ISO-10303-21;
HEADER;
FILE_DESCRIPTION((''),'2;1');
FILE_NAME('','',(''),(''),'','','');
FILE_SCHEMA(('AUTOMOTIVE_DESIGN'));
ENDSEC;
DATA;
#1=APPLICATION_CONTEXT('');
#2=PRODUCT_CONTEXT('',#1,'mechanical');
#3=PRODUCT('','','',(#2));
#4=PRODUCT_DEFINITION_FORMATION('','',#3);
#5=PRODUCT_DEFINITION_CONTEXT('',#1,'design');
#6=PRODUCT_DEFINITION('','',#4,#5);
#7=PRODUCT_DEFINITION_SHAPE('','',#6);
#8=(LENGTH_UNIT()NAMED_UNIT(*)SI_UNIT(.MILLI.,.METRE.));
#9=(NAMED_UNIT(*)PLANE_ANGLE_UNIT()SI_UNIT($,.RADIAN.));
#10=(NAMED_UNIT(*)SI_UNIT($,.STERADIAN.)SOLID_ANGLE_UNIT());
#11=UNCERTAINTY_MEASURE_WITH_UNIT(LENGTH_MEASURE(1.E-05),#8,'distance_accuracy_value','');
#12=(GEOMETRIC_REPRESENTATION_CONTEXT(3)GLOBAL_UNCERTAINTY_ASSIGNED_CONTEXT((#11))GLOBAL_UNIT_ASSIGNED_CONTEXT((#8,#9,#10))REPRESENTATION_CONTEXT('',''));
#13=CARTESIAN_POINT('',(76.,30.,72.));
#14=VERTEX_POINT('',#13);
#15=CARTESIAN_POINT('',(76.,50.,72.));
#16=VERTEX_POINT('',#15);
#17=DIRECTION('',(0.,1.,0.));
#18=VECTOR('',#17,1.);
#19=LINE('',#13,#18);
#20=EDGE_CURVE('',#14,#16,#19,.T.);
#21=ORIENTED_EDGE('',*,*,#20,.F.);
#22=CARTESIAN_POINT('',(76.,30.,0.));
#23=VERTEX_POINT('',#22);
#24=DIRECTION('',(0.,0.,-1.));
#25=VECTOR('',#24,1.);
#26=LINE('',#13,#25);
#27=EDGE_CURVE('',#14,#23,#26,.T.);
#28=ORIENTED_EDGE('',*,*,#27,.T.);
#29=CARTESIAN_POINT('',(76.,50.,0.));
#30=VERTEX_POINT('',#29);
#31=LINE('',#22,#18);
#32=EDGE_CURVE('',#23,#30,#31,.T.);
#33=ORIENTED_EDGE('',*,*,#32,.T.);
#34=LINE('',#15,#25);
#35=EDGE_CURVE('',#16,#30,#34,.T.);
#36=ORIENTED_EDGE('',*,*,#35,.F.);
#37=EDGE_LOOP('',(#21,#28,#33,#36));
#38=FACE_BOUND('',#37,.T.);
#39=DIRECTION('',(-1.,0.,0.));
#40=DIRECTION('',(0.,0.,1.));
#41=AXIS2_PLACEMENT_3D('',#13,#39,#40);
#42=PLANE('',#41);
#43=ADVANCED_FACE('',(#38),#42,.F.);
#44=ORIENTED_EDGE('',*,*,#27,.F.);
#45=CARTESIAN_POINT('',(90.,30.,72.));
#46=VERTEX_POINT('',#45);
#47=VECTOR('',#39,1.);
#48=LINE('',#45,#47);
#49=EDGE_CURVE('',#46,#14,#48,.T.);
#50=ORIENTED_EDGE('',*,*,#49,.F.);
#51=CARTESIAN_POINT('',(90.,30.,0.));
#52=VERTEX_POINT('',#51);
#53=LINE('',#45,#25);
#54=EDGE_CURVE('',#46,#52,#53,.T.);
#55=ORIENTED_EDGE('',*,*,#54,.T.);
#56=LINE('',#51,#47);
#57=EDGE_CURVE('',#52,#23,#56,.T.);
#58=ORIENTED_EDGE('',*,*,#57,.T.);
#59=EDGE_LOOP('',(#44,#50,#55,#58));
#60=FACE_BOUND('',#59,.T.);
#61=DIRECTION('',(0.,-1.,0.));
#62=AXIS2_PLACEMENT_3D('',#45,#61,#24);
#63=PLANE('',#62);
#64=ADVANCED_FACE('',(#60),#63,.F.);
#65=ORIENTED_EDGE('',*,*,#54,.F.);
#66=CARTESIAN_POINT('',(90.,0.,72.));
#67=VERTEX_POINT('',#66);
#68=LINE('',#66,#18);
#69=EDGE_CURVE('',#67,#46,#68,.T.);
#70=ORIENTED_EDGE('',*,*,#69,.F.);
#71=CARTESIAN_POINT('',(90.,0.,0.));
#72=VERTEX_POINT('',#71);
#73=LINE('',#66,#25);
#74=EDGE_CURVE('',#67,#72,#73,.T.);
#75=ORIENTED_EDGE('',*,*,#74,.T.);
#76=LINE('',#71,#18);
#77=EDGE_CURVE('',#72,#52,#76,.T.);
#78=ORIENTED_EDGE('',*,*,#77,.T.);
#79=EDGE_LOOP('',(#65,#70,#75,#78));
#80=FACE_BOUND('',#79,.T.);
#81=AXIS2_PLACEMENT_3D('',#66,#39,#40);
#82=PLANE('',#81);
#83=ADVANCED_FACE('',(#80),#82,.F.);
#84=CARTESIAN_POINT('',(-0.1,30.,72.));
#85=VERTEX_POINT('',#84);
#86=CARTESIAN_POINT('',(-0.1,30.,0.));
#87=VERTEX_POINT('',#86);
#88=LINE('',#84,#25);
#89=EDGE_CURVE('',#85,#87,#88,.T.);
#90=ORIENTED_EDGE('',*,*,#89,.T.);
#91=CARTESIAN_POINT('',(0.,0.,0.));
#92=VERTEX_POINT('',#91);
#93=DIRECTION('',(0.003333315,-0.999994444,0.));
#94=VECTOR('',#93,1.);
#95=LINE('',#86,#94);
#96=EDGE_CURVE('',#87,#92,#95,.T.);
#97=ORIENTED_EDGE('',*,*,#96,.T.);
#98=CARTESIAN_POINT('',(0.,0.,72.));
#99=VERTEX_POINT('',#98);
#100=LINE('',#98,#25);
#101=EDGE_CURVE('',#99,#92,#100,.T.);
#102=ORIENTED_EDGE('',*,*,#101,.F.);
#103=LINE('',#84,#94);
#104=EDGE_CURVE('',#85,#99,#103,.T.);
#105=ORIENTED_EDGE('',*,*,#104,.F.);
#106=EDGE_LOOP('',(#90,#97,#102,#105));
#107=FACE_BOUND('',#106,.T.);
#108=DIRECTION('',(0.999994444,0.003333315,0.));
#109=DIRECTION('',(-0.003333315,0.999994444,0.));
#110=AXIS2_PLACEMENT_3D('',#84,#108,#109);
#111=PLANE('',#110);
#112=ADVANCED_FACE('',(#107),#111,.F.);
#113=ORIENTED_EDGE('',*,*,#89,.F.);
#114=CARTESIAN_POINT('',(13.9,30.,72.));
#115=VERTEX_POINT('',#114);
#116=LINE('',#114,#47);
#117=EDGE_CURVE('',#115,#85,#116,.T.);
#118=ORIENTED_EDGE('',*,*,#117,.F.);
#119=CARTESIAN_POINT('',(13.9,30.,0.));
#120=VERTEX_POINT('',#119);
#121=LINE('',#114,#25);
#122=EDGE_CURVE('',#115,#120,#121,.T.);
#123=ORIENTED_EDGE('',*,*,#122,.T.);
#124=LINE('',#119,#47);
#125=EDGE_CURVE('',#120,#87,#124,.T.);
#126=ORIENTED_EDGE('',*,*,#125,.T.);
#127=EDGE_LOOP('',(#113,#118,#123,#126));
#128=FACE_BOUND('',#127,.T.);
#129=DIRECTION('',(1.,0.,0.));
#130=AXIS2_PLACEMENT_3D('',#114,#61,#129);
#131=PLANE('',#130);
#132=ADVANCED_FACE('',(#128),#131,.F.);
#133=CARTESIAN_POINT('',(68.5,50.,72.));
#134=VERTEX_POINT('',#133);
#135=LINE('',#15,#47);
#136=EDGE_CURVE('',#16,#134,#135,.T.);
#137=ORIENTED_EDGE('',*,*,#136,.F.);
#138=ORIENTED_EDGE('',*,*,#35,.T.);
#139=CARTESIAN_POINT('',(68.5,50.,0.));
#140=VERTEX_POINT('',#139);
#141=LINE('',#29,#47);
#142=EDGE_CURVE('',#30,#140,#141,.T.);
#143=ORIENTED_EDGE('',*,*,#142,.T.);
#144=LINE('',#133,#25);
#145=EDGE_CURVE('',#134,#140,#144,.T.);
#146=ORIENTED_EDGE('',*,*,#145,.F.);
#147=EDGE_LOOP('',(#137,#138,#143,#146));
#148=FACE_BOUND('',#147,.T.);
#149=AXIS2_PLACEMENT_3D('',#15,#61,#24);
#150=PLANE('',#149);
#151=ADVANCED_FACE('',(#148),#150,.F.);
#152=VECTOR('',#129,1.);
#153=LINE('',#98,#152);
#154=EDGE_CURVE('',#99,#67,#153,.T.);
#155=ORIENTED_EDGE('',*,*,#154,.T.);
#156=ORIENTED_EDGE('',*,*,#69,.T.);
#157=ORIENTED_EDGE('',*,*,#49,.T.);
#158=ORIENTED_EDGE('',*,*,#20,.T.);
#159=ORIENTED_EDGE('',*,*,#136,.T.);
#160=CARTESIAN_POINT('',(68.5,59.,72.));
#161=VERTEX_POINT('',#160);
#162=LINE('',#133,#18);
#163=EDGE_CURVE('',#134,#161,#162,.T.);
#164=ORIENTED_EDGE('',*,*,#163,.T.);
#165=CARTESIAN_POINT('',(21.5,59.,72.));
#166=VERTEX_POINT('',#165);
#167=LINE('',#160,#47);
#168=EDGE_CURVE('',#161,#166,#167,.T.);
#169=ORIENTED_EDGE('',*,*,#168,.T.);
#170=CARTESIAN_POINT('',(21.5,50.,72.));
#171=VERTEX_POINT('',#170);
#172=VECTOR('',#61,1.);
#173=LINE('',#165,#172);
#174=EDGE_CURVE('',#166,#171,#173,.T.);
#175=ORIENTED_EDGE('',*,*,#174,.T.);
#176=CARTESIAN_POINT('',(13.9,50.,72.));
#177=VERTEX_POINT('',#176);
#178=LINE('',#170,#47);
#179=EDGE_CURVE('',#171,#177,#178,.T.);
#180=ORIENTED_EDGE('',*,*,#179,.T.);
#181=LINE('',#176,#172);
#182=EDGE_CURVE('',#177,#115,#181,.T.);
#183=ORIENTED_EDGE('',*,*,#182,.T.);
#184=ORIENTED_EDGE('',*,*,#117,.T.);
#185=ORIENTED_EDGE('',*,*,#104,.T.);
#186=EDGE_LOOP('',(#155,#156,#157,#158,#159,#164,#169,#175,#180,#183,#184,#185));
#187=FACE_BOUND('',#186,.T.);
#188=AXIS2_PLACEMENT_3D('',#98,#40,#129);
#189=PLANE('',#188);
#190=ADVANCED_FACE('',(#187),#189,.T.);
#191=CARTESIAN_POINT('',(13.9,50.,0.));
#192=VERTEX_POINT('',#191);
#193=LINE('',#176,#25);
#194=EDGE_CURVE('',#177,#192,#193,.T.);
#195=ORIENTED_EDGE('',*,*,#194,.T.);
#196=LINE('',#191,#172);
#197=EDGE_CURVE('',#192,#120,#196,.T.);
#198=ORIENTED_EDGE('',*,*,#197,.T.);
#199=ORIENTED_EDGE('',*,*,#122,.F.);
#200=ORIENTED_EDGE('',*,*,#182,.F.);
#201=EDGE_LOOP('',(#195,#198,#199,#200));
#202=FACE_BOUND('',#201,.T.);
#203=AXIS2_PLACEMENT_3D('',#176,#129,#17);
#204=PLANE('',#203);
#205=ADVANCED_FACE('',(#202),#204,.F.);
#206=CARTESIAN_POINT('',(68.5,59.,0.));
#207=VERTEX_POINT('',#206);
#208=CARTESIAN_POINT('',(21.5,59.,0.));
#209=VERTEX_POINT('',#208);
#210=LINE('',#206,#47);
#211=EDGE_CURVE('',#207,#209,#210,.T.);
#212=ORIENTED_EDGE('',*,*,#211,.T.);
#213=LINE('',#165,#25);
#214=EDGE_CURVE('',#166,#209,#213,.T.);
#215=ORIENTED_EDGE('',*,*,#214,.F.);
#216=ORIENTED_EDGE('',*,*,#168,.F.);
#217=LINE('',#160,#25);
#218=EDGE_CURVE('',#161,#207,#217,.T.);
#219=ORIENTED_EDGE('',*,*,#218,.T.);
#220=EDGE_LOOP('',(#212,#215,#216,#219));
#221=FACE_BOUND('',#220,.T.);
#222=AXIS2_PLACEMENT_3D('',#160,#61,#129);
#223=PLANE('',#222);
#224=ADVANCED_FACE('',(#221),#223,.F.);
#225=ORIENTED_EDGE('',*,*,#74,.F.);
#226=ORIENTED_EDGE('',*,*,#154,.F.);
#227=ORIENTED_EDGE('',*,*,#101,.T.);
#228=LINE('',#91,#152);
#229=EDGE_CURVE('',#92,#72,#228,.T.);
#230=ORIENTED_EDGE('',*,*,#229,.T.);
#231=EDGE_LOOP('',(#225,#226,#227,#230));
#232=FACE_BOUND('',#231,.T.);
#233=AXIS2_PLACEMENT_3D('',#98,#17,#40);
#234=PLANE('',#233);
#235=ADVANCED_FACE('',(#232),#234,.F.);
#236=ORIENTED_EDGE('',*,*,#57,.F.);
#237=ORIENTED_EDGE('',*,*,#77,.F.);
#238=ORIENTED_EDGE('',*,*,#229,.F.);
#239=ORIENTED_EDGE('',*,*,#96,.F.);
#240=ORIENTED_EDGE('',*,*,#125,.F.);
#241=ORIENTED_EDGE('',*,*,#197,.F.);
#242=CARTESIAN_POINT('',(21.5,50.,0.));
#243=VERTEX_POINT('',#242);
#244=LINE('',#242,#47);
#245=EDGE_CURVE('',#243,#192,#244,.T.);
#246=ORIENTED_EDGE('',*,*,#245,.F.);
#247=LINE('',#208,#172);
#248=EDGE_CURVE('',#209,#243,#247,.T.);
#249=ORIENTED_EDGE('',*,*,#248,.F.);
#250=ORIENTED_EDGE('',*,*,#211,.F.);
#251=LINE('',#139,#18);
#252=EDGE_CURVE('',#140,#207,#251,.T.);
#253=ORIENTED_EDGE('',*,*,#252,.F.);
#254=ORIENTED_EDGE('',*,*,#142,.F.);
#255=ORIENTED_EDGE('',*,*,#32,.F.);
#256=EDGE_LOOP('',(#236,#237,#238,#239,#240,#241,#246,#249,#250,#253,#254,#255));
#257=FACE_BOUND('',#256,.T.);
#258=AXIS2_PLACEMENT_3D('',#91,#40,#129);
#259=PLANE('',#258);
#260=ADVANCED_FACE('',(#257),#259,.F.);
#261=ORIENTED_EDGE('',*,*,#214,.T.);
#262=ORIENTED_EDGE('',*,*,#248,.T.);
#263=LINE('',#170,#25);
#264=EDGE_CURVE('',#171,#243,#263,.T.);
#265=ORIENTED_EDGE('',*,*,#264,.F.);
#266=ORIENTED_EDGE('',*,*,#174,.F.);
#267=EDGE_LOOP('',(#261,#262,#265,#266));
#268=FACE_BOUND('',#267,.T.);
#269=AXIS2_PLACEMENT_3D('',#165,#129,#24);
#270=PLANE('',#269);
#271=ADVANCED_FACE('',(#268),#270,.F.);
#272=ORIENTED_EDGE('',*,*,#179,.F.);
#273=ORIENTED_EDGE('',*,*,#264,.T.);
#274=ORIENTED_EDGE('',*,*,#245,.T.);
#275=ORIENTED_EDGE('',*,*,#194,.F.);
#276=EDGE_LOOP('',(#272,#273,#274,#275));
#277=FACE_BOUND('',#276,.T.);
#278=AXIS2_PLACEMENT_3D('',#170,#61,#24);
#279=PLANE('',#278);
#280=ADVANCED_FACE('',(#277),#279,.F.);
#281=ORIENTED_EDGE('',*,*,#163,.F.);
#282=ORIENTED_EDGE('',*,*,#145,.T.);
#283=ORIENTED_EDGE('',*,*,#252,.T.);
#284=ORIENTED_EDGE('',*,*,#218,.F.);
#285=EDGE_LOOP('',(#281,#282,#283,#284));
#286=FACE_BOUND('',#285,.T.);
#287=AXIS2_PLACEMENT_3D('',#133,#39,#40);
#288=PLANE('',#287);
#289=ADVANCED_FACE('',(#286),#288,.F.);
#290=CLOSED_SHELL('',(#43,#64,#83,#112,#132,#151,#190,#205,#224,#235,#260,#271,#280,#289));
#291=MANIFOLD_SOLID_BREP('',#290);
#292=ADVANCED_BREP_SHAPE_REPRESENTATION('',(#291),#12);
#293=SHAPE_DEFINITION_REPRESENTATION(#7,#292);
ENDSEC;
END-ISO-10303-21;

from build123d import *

# Parameters (mm, degrees)
EXTRUDE_1_DEPTH = 72


with BuildPart() as part:
    # 草图1 → 凸台-拉伸1 (new body)
    with BuildSketch(Plane.XY):
        Polygon((0, 0), (90, 0), (90, 30), (76, 30), (76, 50), (68.5, 50), (68.5, 59), (21.5, 59), (21.5, 50), (13.9, 50), (13.9, 30), (-0.1, 30), align=None)
    extrude(amount=EXTRUDE_1_DEPTH)


solid = part.part
